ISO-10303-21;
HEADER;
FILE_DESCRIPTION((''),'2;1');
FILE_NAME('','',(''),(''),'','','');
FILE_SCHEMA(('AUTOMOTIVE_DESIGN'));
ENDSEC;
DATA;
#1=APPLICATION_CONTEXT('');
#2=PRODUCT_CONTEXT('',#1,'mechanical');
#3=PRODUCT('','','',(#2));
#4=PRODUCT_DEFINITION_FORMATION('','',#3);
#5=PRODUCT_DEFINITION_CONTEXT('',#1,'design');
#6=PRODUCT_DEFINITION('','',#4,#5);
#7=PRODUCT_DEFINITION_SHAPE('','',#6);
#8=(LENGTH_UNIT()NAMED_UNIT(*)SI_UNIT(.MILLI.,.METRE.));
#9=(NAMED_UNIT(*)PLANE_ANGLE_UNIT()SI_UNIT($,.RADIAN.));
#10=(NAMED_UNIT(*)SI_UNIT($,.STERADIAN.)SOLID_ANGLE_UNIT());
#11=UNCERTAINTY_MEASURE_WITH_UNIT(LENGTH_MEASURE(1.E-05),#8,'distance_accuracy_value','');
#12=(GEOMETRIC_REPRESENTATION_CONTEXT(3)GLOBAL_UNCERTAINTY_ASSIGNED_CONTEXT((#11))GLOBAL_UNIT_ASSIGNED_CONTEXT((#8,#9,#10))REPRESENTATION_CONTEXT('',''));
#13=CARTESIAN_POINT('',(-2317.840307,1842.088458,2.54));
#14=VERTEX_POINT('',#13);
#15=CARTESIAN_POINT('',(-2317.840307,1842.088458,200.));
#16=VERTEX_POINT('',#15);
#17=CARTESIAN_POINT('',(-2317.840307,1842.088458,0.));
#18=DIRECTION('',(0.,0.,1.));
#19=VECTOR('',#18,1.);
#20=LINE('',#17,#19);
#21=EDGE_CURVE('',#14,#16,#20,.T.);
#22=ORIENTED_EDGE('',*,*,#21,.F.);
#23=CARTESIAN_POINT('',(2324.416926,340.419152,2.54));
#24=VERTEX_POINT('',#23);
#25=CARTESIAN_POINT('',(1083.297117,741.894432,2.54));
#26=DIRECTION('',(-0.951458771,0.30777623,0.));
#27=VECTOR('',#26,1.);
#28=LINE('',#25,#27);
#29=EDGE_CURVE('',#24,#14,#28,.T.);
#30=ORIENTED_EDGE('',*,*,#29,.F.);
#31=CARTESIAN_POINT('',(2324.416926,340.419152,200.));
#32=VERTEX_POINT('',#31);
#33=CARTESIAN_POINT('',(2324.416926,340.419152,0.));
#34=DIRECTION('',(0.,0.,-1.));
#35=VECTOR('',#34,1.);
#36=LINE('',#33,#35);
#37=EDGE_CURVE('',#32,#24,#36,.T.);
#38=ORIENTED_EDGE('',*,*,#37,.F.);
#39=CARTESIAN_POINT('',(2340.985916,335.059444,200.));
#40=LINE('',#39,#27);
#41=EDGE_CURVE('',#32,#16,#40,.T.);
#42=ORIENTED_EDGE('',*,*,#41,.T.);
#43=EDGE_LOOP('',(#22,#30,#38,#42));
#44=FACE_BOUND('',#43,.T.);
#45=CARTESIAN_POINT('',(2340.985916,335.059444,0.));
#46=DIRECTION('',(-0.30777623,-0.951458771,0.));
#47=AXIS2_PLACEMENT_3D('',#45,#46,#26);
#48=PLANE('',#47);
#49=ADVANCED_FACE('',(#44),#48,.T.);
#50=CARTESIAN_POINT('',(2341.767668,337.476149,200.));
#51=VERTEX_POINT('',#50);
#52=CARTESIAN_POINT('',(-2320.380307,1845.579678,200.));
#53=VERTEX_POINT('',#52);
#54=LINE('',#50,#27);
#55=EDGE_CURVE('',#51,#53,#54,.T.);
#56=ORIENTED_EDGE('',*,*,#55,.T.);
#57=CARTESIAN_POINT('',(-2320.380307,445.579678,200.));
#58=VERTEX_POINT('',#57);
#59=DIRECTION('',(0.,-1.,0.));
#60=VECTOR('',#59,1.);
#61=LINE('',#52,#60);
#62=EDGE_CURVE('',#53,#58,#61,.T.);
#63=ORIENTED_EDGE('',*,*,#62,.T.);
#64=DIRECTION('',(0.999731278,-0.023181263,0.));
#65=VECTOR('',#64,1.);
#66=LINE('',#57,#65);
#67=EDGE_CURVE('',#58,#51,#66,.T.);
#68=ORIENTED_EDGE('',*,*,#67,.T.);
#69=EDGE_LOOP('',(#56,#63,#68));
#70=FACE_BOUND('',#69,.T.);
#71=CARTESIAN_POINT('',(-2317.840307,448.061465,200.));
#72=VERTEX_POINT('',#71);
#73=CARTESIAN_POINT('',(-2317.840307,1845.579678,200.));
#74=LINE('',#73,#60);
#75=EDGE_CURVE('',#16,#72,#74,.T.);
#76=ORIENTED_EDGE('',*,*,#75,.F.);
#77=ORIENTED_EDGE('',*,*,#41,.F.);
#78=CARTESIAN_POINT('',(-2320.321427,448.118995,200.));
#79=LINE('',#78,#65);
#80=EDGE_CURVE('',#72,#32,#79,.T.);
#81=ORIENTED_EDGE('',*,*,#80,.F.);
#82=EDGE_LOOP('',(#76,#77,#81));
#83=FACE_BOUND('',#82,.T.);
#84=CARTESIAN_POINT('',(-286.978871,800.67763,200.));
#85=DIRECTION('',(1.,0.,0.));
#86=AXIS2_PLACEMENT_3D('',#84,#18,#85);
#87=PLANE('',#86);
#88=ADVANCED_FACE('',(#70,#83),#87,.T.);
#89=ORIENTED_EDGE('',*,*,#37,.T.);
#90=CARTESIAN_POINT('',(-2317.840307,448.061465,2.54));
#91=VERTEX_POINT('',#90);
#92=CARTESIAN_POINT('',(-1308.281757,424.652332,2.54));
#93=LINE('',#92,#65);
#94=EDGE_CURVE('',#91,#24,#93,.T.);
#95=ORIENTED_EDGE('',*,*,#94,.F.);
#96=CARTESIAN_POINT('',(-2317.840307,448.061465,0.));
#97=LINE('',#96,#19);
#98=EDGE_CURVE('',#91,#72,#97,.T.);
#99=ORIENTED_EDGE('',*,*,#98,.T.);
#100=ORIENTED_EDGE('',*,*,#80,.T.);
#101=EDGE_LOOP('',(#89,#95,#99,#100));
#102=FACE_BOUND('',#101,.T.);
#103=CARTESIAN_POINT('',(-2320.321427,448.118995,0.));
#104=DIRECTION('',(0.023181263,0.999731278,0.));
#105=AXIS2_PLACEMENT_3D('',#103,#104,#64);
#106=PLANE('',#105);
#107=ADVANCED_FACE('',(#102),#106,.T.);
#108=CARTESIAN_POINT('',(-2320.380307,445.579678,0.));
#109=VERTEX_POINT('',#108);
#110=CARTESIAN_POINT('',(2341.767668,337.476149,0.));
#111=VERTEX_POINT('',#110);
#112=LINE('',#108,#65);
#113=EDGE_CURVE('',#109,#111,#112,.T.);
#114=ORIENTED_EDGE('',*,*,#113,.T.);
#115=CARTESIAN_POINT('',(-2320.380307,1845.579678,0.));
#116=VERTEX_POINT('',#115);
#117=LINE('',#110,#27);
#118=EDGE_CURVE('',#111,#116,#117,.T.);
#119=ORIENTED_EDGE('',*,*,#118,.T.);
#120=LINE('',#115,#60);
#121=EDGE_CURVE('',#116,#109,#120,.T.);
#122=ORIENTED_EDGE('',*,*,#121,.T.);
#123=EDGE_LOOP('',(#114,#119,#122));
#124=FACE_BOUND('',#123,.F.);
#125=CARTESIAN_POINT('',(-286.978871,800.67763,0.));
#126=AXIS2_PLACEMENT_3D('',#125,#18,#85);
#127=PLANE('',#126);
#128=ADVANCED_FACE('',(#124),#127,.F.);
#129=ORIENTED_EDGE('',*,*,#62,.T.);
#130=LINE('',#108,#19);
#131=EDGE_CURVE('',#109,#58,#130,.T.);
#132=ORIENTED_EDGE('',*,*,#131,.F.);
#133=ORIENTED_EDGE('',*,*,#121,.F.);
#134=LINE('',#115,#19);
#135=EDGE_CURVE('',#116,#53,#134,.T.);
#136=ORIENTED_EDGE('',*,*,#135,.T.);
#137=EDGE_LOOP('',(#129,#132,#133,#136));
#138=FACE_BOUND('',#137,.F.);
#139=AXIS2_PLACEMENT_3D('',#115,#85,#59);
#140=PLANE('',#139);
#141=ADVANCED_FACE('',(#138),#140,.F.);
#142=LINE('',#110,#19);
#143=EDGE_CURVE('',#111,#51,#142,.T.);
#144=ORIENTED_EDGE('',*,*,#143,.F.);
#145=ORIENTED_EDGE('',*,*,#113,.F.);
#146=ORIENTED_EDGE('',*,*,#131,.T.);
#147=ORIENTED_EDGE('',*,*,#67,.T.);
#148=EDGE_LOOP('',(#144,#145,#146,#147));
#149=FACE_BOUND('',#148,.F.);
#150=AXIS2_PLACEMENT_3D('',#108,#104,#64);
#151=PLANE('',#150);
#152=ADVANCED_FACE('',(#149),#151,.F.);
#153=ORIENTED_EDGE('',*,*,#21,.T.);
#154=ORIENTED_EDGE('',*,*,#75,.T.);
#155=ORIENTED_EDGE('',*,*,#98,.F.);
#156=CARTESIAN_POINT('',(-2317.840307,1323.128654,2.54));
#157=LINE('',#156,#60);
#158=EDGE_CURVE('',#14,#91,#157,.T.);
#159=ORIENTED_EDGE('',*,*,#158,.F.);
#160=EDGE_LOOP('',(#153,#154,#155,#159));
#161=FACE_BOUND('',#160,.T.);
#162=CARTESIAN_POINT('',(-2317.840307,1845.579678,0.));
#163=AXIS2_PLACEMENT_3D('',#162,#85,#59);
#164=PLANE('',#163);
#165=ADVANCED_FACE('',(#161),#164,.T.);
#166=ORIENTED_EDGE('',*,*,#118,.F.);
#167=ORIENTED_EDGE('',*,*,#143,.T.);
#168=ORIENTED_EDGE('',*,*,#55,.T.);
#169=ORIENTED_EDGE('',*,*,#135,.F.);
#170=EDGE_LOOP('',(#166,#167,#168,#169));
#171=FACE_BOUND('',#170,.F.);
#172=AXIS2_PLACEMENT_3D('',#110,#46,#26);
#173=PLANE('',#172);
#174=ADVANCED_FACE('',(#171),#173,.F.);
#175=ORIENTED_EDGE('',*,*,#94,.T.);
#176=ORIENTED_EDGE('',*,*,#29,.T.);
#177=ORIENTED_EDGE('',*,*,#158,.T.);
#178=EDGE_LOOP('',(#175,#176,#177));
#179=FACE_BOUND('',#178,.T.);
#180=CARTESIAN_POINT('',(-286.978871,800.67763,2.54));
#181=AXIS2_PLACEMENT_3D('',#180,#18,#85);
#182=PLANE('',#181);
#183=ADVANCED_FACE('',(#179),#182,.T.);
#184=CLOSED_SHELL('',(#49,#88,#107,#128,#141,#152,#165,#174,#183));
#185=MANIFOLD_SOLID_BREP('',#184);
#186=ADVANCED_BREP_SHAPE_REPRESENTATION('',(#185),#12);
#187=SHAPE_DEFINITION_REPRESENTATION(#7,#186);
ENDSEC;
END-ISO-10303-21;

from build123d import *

# Parameters (mm, degrees)
F1_DEPTH = 200
F2_T     = -2.54


with BuildPart() as f1:
    # F0 (on Top) → F1 (new body)
    with BuildSketch(Plane.XY):
        Polygon((2341.767668, 337.476149), (-2320.380307, 1845.579678), (-2320.380307, 445.579678), align=None)
    extrude(amount=F1_DEPTH)

    # F2
    f2_openings = [f1.faces().sort_by_distance(p)[0] for p in [
        (-766.330982, 876.211835, 200),
    ]]
    offset(amount=F2_T, openings=f2_openings)


solid = f1.part
